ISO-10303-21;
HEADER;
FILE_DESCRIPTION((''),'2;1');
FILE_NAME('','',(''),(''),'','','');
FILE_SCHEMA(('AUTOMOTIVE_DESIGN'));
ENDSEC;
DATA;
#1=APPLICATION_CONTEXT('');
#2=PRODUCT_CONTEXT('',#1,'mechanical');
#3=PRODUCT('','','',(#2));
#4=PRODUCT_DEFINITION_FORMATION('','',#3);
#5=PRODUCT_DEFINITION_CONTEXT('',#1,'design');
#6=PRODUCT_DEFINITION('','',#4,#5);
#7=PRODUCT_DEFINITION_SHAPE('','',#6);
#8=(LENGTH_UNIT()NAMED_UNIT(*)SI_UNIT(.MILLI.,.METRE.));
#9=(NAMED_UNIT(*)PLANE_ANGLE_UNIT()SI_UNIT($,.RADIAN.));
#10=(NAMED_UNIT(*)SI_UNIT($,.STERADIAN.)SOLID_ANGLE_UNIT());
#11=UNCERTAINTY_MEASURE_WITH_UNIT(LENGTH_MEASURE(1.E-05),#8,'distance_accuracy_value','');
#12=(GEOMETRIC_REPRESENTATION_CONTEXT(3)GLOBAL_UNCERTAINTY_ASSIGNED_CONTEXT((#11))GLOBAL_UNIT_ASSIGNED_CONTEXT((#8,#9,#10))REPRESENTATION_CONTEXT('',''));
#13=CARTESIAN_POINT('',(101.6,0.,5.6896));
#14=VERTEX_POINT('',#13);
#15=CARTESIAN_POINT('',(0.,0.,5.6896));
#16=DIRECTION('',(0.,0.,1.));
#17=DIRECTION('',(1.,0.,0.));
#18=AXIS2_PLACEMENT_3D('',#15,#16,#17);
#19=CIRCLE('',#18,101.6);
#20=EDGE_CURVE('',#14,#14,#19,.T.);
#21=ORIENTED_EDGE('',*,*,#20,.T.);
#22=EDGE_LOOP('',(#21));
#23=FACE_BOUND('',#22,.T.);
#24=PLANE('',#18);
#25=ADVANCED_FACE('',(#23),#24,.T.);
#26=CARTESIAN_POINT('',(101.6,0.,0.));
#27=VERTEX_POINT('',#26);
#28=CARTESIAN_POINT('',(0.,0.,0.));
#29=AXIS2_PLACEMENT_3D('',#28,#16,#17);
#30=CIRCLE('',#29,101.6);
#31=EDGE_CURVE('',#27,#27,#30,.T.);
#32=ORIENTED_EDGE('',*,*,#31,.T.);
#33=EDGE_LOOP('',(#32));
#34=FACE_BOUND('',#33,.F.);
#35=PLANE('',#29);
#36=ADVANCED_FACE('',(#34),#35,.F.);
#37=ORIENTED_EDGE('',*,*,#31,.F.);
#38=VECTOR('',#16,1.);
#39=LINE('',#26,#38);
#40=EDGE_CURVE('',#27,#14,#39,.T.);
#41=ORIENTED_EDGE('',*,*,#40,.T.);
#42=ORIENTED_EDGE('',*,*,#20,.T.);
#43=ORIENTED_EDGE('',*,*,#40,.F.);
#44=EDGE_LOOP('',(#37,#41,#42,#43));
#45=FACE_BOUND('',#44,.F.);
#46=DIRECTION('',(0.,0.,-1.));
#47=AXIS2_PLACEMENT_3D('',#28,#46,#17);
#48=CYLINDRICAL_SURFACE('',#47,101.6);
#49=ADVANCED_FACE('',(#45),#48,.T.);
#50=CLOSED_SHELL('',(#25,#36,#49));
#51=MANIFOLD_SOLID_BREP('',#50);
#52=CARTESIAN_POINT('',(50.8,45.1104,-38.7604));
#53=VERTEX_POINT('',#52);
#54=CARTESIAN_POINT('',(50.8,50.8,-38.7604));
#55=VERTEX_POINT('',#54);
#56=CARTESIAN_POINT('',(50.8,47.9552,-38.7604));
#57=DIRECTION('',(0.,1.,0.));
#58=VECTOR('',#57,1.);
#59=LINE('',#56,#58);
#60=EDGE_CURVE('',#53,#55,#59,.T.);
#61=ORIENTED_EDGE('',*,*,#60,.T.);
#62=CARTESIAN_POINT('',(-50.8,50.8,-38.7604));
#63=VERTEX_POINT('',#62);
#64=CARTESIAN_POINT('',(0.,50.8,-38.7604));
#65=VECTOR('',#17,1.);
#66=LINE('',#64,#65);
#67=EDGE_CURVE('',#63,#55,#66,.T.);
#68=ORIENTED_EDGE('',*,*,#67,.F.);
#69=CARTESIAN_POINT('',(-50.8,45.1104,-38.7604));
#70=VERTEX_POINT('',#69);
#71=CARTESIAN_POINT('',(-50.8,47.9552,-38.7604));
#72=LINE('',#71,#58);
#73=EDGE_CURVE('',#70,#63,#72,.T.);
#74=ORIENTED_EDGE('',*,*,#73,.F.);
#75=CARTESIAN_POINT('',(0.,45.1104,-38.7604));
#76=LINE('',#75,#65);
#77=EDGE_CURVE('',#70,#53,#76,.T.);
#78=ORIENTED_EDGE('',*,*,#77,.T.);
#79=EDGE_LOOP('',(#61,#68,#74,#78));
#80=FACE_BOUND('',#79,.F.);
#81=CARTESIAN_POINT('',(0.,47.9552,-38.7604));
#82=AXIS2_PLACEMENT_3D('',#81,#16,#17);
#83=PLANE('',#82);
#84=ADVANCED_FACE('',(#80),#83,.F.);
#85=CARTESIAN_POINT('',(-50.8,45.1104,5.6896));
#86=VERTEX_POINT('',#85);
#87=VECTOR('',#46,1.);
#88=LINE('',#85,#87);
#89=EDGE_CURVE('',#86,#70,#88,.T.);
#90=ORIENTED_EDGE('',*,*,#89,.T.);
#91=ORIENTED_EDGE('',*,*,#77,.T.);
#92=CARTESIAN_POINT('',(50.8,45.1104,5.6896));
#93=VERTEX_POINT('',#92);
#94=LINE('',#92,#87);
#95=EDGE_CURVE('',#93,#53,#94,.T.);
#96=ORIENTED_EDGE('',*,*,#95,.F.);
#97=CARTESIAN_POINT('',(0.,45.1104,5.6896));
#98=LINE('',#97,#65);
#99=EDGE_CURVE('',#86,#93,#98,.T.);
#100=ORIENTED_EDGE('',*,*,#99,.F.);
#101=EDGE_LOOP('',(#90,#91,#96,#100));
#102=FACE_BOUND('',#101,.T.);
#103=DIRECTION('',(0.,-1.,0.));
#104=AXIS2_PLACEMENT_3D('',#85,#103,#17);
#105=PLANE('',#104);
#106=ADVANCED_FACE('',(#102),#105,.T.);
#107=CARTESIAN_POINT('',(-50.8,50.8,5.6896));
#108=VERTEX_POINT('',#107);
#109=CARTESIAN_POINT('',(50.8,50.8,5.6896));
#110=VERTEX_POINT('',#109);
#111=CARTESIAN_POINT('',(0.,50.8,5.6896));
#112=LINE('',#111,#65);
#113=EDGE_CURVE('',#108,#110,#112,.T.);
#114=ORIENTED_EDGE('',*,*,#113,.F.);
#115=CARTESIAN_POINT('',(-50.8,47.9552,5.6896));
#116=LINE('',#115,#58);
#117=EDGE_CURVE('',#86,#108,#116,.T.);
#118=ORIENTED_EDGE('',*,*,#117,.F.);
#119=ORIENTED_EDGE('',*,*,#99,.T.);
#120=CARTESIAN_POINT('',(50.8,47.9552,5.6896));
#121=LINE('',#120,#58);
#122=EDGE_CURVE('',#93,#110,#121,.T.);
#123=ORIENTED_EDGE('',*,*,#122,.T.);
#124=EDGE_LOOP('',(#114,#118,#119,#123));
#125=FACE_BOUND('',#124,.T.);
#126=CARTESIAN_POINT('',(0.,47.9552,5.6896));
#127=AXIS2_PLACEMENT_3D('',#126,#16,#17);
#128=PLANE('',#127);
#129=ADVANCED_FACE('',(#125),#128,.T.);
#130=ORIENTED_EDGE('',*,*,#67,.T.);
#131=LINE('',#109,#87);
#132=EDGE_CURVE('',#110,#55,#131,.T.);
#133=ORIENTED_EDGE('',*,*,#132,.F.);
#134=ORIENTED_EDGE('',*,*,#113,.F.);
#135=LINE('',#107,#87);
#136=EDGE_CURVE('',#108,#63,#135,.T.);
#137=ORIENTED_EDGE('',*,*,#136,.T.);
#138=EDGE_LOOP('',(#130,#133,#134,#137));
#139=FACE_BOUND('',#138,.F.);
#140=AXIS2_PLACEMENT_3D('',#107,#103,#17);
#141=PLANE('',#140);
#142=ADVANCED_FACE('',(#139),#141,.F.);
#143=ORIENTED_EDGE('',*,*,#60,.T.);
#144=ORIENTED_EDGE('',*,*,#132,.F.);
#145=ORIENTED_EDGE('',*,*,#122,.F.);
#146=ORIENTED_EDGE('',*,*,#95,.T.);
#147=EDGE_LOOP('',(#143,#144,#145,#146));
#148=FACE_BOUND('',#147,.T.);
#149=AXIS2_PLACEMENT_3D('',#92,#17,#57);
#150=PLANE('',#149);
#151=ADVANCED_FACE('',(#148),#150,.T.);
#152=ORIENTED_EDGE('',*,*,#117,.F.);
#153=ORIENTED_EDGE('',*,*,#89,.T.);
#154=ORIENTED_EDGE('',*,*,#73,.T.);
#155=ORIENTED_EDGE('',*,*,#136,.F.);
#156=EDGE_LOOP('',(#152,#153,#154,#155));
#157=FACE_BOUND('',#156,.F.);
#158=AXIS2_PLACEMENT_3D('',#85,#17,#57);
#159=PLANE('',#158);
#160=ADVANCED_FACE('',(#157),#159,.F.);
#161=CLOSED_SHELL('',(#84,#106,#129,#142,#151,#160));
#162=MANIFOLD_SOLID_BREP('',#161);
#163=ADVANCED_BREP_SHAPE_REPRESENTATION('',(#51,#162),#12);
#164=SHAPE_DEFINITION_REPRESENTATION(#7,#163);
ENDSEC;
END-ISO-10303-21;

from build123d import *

# Parameters (mm, degrees)
F0_R     = 101.6
F1_DEPTH = 5.6896
F2_W     = 101.6
F2_H     = 5.6896
F3_DEPTH = 44.45


with BuildPart() as f1:
    # F0 (on Top) → F1 (new body)
    with BuildSketch(Plane.XY):
        Circle(F0_R)
    extrude(amount=F1_DEPTH)


with BuildPart() as f3:
    # F2 (on face) → F3 (new body)
    with BuildSketch(Plane.XY.offset(5.6896)):
        with Locations((0, 47.9552)):
            Rectangle(F2_W, F2_H)
    extrude(amount=-F3_DEPTH)


solid = Compound([f1.part, f3.part])
